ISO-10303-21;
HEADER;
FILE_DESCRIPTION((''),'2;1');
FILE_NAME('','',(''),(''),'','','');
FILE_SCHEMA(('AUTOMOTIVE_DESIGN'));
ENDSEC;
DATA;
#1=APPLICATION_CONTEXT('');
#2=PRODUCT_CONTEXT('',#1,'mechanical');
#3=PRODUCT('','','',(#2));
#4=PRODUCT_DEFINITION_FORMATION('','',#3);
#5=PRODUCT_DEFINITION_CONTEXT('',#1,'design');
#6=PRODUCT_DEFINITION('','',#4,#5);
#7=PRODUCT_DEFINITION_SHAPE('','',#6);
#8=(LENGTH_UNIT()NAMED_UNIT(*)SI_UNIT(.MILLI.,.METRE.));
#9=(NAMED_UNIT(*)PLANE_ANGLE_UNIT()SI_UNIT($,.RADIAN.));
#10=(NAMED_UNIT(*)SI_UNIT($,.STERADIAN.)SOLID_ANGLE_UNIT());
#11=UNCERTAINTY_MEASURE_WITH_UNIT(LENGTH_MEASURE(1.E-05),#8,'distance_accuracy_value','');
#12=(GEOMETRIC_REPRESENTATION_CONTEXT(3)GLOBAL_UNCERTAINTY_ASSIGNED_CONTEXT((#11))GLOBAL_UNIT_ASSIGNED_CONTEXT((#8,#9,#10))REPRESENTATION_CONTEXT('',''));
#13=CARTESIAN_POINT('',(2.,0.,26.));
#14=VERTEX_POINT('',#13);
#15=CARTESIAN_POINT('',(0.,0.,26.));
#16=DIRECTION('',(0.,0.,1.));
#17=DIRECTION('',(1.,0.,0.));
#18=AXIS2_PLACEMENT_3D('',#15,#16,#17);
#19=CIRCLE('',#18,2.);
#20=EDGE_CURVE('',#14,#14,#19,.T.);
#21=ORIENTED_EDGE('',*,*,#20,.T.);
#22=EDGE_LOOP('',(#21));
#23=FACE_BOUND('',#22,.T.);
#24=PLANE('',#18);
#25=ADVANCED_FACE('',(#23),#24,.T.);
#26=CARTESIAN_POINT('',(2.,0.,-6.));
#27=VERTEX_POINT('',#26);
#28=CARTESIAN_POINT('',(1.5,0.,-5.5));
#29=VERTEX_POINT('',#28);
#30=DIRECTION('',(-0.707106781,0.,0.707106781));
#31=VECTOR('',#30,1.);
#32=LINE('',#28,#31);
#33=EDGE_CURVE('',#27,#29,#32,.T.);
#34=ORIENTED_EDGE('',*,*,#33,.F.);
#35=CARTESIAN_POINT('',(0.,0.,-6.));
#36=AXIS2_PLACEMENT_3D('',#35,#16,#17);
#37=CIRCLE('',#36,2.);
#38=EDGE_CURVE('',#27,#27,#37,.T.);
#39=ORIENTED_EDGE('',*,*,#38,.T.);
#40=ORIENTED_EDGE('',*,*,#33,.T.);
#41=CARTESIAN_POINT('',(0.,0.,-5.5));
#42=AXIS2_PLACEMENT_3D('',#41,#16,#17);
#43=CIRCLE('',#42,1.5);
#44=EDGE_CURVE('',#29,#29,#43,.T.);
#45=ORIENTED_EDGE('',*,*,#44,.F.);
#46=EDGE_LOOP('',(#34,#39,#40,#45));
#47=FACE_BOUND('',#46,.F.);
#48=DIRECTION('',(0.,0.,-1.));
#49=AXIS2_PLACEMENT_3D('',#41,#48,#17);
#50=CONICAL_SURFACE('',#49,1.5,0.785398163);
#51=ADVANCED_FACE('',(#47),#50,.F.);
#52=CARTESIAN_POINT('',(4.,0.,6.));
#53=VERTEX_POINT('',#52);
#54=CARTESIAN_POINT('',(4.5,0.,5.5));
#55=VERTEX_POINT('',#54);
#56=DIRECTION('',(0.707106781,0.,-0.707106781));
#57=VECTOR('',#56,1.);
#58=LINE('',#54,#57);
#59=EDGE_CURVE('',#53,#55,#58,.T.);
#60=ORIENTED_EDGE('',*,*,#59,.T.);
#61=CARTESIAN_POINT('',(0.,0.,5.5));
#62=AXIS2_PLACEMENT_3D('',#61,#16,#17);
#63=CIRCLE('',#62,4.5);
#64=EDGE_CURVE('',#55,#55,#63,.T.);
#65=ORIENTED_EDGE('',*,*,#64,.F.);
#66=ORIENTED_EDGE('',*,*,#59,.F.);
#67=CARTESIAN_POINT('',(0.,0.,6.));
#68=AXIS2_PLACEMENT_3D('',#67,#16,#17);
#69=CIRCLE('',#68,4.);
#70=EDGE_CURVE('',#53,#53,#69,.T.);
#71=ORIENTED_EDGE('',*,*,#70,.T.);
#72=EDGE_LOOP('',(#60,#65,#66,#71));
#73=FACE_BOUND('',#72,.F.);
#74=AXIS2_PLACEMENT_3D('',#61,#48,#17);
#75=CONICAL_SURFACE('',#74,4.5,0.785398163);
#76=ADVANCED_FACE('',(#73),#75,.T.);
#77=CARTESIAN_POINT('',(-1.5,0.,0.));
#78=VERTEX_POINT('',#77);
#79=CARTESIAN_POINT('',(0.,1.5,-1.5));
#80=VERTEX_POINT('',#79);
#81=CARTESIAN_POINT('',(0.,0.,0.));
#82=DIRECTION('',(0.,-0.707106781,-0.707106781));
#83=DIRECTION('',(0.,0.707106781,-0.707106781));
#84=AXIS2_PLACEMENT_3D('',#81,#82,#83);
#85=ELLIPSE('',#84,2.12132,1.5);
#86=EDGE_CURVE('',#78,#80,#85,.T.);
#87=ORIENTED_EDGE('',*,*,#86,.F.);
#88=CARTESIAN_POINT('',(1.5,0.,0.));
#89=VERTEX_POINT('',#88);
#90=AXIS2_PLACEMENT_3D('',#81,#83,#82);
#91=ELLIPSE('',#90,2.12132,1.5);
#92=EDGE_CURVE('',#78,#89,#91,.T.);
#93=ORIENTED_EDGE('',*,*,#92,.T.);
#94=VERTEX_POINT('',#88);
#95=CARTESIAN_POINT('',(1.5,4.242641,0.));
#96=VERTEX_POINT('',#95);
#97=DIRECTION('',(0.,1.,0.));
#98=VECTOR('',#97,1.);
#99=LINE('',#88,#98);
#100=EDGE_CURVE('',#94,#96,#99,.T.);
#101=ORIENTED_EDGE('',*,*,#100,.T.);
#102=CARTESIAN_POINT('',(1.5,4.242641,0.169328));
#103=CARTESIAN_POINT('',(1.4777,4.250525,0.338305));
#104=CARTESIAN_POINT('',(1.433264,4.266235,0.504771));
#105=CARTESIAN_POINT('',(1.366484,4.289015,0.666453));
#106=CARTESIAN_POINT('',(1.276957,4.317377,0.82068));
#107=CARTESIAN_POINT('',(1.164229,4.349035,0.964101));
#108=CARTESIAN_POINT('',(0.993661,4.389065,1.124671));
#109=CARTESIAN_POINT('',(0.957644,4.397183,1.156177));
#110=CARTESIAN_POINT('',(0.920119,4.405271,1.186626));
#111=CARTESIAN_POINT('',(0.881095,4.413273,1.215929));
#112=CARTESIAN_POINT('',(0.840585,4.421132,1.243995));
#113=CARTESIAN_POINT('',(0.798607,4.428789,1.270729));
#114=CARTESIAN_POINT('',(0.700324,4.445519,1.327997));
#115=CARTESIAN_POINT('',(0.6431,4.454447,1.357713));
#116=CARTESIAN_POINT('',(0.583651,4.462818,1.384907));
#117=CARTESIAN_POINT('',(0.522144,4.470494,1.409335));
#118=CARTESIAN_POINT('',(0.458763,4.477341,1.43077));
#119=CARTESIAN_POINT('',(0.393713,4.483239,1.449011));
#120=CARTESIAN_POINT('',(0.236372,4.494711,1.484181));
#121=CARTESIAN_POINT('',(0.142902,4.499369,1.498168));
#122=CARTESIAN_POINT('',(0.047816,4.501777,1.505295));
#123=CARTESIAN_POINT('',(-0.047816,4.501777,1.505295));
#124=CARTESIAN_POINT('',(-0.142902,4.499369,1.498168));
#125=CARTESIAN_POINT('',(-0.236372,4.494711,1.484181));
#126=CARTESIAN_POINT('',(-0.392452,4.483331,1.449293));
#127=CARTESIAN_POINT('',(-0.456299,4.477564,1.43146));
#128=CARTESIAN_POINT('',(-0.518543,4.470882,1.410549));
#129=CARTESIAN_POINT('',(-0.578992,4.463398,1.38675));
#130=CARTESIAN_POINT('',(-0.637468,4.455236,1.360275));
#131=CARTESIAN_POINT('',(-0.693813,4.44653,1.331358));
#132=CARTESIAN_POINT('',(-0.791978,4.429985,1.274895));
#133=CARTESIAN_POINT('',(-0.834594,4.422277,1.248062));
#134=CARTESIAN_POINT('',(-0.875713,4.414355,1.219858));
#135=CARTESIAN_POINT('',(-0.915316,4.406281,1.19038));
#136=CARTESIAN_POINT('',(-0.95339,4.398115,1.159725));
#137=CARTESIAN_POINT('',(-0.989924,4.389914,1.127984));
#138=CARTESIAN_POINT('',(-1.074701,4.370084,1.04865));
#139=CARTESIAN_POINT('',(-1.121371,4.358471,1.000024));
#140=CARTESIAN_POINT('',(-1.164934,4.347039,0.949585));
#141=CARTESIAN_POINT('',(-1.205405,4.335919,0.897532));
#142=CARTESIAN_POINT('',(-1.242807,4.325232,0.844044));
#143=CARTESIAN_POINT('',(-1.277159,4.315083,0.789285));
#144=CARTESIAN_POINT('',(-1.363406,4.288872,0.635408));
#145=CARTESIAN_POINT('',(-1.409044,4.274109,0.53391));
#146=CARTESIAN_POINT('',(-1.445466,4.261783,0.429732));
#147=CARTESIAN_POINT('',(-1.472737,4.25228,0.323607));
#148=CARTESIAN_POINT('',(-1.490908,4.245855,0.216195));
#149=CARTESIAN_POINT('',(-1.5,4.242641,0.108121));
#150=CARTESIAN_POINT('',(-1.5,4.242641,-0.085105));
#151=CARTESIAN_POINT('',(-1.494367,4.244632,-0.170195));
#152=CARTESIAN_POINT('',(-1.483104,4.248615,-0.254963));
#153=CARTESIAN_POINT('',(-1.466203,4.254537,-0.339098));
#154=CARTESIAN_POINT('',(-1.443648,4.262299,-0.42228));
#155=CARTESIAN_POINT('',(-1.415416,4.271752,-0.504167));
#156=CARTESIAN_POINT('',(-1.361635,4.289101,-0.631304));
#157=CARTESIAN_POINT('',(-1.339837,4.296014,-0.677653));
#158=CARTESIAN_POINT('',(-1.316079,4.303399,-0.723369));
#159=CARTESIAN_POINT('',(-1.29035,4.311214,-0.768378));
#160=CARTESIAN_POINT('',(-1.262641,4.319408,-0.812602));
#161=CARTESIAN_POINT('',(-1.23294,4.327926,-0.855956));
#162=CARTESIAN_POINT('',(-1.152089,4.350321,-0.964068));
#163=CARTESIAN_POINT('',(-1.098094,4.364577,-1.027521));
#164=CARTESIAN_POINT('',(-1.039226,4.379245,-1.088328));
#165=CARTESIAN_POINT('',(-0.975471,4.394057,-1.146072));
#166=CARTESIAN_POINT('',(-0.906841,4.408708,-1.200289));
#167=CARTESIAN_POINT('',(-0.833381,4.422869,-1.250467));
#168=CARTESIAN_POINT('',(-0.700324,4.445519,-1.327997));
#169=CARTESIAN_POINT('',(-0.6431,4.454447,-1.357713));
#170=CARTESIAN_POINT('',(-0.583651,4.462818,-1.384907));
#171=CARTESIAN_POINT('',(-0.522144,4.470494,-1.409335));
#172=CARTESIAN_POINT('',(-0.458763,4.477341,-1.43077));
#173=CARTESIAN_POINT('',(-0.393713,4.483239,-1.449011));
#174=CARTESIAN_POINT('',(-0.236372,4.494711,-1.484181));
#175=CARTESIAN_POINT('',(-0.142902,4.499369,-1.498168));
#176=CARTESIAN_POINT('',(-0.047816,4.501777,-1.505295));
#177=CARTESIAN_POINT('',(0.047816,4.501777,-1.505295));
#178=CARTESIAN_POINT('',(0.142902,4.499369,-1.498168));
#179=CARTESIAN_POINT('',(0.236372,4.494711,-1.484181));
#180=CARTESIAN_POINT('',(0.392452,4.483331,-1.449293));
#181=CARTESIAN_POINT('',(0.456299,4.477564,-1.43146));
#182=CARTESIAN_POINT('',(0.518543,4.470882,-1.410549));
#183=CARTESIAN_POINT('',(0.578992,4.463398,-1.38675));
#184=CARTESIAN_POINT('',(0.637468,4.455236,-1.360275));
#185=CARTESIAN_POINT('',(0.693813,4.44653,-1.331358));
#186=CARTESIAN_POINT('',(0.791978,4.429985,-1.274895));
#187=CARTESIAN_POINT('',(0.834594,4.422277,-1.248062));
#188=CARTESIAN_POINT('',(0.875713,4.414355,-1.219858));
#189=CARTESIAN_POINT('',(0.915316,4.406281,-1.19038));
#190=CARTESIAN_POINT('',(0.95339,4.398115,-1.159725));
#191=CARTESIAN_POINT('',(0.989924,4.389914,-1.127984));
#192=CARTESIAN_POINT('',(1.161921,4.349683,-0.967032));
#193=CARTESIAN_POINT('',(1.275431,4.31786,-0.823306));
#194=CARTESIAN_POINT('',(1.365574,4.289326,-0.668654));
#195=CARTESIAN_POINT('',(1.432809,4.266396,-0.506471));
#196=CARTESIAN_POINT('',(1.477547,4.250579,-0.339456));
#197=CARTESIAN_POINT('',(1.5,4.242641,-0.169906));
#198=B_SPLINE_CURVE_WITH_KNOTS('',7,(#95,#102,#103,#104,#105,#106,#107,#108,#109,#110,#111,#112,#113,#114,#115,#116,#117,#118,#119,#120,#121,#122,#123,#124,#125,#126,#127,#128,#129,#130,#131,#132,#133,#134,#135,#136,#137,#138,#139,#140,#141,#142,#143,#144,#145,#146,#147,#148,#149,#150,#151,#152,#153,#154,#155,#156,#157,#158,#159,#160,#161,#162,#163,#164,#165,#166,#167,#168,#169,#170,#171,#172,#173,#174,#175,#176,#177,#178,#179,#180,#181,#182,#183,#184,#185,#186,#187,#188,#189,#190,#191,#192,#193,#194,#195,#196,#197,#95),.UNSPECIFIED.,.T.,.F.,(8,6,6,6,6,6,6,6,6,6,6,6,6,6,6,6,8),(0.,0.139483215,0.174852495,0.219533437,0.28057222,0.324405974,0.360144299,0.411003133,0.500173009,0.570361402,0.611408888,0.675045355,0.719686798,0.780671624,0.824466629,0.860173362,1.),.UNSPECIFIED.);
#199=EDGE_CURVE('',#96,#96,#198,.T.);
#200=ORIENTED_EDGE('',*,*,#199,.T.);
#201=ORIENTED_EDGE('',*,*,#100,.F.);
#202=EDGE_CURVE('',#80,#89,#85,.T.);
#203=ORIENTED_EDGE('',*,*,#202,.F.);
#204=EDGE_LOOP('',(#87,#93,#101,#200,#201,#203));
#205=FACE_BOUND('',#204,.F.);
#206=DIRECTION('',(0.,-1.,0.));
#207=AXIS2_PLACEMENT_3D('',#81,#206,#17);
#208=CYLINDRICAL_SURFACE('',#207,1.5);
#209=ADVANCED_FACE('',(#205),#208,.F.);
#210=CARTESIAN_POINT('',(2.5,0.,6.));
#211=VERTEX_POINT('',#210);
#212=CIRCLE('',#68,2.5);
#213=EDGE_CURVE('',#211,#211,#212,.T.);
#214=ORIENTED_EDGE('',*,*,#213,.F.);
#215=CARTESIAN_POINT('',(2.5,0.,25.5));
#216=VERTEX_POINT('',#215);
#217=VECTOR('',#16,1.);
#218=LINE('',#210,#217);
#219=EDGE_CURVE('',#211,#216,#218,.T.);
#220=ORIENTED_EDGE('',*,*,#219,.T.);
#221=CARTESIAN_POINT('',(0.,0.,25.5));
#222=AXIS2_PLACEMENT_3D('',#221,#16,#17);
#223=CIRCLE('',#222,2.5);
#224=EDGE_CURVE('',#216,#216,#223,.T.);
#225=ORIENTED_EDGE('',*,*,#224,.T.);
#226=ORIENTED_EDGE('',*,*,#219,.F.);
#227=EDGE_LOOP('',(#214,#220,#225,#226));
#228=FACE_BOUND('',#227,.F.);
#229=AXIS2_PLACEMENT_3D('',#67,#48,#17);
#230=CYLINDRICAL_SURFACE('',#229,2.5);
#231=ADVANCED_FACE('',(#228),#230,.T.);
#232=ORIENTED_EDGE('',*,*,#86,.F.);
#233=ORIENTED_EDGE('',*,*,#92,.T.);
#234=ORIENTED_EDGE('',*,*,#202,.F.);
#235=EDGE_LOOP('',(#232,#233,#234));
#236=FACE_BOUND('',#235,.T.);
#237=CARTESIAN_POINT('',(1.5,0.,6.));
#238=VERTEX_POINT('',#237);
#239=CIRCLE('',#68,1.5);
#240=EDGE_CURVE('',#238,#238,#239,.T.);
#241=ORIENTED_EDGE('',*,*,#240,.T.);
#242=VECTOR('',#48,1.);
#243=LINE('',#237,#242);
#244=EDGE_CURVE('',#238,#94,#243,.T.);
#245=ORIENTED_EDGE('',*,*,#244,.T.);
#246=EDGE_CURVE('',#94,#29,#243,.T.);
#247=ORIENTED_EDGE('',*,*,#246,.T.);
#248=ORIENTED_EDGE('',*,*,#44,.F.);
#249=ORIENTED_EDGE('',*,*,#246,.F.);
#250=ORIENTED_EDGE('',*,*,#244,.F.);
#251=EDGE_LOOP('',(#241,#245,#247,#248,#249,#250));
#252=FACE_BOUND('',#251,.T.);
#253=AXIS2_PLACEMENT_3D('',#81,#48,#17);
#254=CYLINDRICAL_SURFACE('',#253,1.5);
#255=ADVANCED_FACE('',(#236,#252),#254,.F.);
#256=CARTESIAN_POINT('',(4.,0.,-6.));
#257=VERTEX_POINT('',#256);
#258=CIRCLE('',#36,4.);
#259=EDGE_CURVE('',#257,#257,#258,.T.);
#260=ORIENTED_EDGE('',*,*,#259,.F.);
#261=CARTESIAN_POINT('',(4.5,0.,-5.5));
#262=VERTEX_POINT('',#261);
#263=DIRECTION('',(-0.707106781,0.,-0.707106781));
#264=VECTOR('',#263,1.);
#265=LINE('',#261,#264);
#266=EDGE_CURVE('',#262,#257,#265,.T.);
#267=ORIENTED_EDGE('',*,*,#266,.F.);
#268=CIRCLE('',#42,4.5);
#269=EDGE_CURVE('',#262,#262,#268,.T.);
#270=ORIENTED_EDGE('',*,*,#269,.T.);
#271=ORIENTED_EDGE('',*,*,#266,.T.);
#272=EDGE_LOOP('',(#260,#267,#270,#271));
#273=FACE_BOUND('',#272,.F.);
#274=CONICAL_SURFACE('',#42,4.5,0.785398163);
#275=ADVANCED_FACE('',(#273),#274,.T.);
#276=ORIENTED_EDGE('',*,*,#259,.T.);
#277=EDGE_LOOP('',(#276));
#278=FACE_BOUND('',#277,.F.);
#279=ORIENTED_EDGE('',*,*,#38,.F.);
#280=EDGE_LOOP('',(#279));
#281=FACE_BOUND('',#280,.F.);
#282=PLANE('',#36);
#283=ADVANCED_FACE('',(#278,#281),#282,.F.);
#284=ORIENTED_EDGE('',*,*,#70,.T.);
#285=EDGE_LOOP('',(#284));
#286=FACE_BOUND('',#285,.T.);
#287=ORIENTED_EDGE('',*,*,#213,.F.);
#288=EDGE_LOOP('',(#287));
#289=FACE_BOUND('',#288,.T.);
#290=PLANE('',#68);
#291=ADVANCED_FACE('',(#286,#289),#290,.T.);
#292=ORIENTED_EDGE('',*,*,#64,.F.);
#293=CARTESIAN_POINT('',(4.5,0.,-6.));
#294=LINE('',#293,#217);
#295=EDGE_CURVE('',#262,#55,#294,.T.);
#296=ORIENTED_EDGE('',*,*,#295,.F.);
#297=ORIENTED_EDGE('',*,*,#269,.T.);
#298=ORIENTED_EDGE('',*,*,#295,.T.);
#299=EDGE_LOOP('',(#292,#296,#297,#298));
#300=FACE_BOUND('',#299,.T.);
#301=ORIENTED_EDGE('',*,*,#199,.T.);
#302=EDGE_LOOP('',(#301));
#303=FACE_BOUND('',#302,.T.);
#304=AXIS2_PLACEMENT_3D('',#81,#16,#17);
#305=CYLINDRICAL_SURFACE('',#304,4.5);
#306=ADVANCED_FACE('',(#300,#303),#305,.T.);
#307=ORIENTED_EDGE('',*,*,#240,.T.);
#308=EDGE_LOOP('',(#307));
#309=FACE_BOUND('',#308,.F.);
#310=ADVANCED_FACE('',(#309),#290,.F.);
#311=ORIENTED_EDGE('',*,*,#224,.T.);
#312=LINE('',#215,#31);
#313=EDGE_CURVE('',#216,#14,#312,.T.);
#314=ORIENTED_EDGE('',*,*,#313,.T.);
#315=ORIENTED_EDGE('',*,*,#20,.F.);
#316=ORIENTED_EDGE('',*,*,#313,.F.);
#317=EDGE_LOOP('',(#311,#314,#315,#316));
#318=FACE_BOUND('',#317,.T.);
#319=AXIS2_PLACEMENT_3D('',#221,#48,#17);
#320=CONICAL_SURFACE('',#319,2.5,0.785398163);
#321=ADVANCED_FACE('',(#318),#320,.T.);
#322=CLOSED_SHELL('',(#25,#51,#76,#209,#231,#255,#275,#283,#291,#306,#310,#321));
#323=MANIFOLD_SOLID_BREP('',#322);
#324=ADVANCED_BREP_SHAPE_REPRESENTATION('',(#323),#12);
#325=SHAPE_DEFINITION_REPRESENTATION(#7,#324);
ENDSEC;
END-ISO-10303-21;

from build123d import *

# Parameters (mm, degrees)
F0_R     = 4.5
F0_R_2   = 1.5
F1_DEPTH = 6
F2_R     = 2.5
F3_DEPTH = 20
F4_SIZE  = 0.5
F5_R     = 1.5
F6_DEPTH = 4.501


with BuildPart() as f1:
    # F0 (on Top) → F1 (new body, symmetric)
    with BuildSketch(Plane.XY):
        Circle(F0_R)
        Circle(F0_R_2, mode=Mode.SUBTRACT)
    extrude(amount=F1_DEPTH, both=True)

    # F2 (on face) → F3 (join)
    with BuildSketch(Plane.XY.offset(6)):
        Circle(F2_R)
    extrude(amount=F3_DEPTH)

    # F4
    f4_edges = [f1.edges().sort_by_distance(p)[0] for p in [
        (-2.5, 0, 26),
        (-4.5, 0, 6),
        (-1.5, 0, -6),
        (-4.5, 0, -6),
    ]]
    chamfer(f4_edges, length=F4_SIZE)

    # F5 (on Front) → F6 (cut, through all)
    with BuildSketch(Plane.XZ):
        Circle(F5_R)
    extrude(amount=-F6_DEPTH, mode=Mode.SUBTRACT)


solid = f1.part
